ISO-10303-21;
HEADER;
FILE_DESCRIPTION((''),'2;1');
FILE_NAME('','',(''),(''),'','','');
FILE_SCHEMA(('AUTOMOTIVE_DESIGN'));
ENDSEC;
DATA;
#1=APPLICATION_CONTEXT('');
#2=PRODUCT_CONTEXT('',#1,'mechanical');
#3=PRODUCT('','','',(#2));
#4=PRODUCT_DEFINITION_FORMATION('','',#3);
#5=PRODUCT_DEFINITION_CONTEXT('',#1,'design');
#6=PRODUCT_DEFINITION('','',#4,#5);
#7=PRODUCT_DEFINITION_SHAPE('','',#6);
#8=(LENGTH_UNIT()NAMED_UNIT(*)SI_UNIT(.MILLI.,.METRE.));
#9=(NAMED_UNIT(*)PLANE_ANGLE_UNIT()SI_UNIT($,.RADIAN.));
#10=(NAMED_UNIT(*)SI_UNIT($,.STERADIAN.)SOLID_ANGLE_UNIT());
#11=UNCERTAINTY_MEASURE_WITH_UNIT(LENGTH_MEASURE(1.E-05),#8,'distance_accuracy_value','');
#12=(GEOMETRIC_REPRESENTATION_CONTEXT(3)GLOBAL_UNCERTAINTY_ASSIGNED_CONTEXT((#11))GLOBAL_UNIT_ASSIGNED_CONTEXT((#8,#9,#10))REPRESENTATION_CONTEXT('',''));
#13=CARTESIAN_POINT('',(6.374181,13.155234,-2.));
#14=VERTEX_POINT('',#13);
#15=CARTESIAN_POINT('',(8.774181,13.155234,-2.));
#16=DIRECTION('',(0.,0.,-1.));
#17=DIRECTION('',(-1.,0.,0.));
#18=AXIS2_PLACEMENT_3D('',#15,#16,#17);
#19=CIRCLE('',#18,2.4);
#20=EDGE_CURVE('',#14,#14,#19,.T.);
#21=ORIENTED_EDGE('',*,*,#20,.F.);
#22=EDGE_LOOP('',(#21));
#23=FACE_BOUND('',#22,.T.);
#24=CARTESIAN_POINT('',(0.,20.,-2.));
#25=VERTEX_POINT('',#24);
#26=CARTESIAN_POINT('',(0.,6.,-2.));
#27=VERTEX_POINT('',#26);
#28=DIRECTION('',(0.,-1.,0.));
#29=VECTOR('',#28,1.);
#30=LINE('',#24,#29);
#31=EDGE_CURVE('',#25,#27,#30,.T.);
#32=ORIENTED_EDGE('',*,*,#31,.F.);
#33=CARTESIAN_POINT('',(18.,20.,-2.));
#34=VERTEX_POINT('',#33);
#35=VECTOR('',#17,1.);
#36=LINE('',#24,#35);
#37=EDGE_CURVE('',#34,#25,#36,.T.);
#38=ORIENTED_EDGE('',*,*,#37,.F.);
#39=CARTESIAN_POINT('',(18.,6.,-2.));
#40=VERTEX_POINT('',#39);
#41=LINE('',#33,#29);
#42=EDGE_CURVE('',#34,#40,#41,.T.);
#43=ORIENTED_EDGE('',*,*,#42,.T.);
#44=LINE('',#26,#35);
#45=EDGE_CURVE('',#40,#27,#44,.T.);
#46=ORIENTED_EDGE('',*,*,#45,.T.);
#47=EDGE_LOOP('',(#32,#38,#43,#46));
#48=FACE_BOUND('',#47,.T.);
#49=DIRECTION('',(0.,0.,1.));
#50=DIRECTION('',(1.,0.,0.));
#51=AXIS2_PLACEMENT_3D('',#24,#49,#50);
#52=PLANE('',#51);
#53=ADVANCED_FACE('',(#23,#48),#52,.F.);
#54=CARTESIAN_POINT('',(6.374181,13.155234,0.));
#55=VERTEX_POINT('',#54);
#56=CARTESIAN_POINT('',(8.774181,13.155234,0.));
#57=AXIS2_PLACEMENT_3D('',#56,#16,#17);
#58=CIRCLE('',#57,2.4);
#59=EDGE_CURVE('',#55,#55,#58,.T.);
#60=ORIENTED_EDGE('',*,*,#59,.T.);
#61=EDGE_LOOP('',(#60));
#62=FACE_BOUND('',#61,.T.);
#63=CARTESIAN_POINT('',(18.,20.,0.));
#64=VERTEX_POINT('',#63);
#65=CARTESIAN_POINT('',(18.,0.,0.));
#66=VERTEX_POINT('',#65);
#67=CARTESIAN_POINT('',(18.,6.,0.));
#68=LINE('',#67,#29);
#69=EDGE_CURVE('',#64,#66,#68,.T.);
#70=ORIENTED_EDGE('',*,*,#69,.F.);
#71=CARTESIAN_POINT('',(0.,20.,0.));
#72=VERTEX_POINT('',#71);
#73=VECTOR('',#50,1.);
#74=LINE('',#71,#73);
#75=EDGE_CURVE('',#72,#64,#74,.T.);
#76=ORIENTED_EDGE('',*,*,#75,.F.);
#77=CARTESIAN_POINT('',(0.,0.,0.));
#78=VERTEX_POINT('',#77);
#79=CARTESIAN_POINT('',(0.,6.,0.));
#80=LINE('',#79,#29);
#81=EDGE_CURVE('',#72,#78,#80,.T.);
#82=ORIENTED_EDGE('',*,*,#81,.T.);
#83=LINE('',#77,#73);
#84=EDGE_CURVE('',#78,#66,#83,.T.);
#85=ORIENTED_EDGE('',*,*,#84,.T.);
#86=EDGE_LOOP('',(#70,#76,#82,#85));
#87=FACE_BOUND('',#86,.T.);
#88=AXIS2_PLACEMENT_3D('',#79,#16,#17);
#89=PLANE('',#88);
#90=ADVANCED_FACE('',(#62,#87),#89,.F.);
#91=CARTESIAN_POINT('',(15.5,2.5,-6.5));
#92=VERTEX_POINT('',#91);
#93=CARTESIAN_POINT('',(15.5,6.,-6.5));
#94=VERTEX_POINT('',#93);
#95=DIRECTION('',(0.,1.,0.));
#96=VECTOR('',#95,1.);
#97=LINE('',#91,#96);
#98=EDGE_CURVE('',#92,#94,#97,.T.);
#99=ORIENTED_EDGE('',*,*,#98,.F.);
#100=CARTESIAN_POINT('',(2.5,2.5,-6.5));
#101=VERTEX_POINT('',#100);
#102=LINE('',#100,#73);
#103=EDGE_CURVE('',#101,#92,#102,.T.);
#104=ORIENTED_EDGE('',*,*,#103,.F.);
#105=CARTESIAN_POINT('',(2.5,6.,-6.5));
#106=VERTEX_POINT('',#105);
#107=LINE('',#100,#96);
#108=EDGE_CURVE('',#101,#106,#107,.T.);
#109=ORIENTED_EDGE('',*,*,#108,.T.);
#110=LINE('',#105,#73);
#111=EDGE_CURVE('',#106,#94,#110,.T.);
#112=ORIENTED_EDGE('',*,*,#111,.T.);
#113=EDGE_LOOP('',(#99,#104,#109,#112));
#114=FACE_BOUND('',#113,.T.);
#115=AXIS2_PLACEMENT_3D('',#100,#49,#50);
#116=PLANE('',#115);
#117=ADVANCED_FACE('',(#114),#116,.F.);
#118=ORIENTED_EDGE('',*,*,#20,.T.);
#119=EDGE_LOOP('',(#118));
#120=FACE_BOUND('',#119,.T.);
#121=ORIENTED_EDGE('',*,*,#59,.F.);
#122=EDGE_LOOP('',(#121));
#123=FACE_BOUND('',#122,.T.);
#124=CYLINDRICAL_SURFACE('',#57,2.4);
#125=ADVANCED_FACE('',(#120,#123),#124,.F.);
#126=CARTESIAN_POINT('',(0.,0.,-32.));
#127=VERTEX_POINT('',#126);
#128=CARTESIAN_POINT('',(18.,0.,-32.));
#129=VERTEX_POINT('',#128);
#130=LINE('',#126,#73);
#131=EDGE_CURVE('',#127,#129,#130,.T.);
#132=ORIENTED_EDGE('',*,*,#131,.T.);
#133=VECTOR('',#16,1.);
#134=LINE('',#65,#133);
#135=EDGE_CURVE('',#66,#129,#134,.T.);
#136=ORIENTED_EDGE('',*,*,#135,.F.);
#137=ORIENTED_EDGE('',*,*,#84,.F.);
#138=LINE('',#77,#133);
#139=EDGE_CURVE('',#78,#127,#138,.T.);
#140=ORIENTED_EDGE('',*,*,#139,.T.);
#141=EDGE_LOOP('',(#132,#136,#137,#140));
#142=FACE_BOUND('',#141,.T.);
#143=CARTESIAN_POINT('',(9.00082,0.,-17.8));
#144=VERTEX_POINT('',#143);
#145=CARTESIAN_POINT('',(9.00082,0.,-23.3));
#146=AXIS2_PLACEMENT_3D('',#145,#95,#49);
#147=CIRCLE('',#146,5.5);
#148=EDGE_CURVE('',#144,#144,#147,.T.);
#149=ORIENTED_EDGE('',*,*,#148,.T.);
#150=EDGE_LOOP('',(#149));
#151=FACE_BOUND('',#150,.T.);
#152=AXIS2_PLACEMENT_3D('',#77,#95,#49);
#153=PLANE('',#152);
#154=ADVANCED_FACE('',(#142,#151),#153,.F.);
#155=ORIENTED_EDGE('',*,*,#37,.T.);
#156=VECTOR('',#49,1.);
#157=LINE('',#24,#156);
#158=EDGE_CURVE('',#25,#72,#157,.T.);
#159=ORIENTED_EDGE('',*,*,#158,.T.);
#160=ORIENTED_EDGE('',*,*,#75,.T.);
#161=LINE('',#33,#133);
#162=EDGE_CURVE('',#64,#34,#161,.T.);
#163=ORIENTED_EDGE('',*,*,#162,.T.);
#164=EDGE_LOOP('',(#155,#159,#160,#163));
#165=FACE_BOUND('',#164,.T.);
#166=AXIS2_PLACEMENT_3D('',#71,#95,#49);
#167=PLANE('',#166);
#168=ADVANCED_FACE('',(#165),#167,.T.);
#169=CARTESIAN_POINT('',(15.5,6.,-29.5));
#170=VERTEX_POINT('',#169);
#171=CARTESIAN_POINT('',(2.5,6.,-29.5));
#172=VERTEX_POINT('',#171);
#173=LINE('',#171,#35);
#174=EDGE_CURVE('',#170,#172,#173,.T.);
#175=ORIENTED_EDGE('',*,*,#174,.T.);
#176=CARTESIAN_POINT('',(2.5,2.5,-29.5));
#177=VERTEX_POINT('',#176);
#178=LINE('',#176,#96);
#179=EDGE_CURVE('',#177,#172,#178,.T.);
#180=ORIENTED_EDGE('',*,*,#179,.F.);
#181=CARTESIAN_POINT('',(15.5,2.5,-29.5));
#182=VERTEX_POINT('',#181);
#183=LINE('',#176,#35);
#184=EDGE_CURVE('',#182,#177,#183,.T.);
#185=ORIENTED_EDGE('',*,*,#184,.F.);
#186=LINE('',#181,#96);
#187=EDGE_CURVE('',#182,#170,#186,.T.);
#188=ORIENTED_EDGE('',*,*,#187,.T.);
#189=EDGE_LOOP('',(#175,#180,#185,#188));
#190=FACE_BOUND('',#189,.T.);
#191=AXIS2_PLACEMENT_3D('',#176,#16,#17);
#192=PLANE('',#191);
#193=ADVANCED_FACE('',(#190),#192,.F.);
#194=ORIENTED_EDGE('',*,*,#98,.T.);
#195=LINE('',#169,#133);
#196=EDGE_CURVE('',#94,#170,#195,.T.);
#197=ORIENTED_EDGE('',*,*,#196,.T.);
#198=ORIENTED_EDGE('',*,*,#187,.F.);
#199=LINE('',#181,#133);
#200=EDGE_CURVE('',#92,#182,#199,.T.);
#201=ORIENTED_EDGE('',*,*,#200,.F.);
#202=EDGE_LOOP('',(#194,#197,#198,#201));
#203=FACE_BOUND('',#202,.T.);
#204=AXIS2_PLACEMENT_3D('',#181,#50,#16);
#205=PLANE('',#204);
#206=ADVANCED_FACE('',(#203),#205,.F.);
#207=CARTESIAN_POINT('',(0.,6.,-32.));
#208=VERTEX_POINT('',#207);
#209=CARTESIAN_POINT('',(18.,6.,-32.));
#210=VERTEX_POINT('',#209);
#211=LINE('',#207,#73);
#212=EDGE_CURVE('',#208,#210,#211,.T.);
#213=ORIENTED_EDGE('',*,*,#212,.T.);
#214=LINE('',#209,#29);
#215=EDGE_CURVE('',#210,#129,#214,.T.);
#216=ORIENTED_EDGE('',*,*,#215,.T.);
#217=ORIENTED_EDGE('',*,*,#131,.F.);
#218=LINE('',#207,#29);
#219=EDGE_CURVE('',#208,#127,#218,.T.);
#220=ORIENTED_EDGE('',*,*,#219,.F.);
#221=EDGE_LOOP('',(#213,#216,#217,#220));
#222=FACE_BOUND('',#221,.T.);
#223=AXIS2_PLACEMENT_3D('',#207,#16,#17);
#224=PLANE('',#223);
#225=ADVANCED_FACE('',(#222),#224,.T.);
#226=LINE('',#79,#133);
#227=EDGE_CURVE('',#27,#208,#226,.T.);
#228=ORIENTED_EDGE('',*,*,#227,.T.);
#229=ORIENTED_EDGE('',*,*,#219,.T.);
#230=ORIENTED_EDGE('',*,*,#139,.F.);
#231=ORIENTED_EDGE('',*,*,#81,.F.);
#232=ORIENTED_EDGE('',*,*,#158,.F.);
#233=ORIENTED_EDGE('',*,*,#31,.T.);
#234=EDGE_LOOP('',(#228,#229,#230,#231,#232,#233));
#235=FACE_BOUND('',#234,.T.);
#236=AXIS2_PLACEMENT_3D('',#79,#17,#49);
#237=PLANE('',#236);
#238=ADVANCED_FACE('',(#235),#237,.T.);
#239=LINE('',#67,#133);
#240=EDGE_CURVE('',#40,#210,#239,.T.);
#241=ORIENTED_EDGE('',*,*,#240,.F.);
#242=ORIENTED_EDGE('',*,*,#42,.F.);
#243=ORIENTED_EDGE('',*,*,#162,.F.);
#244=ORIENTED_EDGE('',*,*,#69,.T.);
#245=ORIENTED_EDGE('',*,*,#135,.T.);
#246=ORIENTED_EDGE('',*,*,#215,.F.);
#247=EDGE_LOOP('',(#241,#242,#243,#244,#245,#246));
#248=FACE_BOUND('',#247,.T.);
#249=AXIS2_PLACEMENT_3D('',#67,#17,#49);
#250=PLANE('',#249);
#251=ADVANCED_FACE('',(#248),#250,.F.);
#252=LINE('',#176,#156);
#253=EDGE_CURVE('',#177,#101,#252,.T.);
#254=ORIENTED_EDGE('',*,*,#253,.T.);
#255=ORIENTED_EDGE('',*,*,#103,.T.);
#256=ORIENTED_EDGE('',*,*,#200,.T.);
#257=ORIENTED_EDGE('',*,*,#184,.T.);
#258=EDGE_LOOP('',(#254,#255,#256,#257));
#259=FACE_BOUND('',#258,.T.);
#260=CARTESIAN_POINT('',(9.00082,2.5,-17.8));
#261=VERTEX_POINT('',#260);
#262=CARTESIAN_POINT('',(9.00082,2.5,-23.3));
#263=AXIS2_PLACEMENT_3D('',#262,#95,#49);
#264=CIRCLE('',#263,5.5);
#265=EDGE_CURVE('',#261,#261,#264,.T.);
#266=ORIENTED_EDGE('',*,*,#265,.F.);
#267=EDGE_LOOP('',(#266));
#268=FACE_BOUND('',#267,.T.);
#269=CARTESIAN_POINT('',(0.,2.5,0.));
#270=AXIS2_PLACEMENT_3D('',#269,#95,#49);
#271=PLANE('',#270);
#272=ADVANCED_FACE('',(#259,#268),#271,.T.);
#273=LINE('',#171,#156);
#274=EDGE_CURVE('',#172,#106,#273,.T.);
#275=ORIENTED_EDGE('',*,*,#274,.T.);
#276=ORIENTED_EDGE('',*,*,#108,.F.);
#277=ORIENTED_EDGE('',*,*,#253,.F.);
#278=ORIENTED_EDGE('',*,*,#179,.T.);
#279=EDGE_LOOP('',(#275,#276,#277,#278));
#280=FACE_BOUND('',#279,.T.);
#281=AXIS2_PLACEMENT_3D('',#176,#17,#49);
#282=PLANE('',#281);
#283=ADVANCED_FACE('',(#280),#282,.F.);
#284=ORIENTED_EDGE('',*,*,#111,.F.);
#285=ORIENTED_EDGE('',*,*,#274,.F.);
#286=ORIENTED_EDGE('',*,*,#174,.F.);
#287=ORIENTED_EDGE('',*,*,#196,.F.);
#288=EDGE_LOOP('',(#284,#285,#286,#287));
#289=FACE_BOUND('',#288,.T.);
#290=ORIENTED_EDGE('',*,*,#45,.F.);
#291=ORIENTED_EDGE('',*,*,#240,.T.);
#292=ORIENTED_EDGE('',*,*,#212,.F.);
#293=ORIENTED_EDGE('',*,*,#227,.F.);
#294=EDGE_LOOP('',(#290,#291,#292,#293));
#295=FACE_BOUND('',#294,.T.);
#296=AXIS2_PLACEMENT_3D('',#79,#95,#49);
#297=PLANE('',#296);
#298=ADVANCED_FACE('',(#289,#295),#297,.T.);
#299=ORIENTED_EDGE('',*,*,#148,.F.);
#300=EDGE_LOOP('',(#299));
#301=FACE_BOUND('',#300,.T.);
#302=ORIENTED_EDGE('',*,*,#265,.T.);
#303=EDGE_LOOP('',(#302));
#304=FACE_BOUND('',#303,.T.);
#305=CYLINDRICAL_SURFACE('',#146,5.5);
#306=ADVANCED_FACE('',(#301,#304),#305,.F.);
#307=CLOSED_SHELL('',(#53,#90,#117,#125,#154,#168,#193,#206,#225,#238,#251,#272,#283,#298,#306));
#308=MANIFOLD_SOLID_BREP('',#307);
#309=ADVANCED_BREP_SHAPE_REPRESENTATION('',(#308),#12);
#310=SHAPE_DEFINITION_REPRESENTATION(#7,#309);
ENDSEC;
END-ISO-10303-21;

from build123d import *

# Parameters (mm, degrees)
SKETCH1_W           = 18
SKETCH1_H           = 32
BOSS_EXTRUDE1_DEPTH = 6
SKETCH2_W           = 13
SKETCH2_H           = 23
CUT_EXTRUDE1_DEPTH  = 3.5
SKETCH3_R           = 5.5
CUT_EXTRUDE2_DEPTH  = 37.881567212
SKETCH4_W           = 18
SKETCH4_H           = 2
BOSS_EXTRUDE2_DEPTH = 14
SKETCH5_R           = 2.4
CUT_EXTRUDE3_DEPTH  = 41.298883359


with BuildPart() as part:
    # Sketch1 → Boss-Extrude1 (new body)
    with BuildSketch(Plane(origin=(0, 0, 0), x_dir=(1, 0, 0), z_dir=(0, 1, 0))):
        with Locations((9, 16)):
            Rectangle(SKETCH1_W, SKETCH1_H)
    extrude(amount=BOSS_EXTRUDE1_DEPTH)

    # Sketch2 → Cut-Extrude1 (cut)
    with BuildSketch(Plane(origin=(0, 6, 0), x_dir=(1, 0, 0), z_dir=(0, 1, 0))):
        with Locations((9, 18)):
            Rectangle(SKETCH2_W, SKETCH2_H)
    extrude(amount=-CUT_EXTRUDE1_DEPTH, mode=Mode.SUBTRACT)

    # Sketch3 → Cut-Extrude2 (cut, through all)
    with BuildSketch(Plane(origin=(0, 2.5, 0), x_dir=(1, 0, 0), z_dir=(0, 1, 0))):
        with Locations(Location((9.000820155, 23.3, 0), (0, 0, 270))):
            Circle(SKETCH3_R)
    extrude(amount=-CUT_EXTRUDE2_DEPTH, mode=Mode.SUBTRACT)

    # Sketch4 → Boss-Extrude2 (add)
    with BuildSketch(Plane(origin=(0, 6, 0), x_dir=(1, 0, 0), z_dir=(0, 1, 0))):
        with Locations((9, 1)):
            Rectangle(SKETCH4_W, SKETCH4_H)
    extrude(amount=BOSS_EXTRUDE2_DEPTH)

    # Sketch5 → Cut-Extrude3 (cut, through all)
    with BuildSketch(Plane(origin=(0, 0, -2), x_dir=(-1, 0, 0), z_dir=(0, 0, -1))):
        with Locations((-8.774181154, 13.15523395)):
            Circle(SKETCH5_R)
    extrude(amount=-CUT_EXTRUDE3_DEPTH, mode=Mode.SUBTRACT)


solid = part.part
